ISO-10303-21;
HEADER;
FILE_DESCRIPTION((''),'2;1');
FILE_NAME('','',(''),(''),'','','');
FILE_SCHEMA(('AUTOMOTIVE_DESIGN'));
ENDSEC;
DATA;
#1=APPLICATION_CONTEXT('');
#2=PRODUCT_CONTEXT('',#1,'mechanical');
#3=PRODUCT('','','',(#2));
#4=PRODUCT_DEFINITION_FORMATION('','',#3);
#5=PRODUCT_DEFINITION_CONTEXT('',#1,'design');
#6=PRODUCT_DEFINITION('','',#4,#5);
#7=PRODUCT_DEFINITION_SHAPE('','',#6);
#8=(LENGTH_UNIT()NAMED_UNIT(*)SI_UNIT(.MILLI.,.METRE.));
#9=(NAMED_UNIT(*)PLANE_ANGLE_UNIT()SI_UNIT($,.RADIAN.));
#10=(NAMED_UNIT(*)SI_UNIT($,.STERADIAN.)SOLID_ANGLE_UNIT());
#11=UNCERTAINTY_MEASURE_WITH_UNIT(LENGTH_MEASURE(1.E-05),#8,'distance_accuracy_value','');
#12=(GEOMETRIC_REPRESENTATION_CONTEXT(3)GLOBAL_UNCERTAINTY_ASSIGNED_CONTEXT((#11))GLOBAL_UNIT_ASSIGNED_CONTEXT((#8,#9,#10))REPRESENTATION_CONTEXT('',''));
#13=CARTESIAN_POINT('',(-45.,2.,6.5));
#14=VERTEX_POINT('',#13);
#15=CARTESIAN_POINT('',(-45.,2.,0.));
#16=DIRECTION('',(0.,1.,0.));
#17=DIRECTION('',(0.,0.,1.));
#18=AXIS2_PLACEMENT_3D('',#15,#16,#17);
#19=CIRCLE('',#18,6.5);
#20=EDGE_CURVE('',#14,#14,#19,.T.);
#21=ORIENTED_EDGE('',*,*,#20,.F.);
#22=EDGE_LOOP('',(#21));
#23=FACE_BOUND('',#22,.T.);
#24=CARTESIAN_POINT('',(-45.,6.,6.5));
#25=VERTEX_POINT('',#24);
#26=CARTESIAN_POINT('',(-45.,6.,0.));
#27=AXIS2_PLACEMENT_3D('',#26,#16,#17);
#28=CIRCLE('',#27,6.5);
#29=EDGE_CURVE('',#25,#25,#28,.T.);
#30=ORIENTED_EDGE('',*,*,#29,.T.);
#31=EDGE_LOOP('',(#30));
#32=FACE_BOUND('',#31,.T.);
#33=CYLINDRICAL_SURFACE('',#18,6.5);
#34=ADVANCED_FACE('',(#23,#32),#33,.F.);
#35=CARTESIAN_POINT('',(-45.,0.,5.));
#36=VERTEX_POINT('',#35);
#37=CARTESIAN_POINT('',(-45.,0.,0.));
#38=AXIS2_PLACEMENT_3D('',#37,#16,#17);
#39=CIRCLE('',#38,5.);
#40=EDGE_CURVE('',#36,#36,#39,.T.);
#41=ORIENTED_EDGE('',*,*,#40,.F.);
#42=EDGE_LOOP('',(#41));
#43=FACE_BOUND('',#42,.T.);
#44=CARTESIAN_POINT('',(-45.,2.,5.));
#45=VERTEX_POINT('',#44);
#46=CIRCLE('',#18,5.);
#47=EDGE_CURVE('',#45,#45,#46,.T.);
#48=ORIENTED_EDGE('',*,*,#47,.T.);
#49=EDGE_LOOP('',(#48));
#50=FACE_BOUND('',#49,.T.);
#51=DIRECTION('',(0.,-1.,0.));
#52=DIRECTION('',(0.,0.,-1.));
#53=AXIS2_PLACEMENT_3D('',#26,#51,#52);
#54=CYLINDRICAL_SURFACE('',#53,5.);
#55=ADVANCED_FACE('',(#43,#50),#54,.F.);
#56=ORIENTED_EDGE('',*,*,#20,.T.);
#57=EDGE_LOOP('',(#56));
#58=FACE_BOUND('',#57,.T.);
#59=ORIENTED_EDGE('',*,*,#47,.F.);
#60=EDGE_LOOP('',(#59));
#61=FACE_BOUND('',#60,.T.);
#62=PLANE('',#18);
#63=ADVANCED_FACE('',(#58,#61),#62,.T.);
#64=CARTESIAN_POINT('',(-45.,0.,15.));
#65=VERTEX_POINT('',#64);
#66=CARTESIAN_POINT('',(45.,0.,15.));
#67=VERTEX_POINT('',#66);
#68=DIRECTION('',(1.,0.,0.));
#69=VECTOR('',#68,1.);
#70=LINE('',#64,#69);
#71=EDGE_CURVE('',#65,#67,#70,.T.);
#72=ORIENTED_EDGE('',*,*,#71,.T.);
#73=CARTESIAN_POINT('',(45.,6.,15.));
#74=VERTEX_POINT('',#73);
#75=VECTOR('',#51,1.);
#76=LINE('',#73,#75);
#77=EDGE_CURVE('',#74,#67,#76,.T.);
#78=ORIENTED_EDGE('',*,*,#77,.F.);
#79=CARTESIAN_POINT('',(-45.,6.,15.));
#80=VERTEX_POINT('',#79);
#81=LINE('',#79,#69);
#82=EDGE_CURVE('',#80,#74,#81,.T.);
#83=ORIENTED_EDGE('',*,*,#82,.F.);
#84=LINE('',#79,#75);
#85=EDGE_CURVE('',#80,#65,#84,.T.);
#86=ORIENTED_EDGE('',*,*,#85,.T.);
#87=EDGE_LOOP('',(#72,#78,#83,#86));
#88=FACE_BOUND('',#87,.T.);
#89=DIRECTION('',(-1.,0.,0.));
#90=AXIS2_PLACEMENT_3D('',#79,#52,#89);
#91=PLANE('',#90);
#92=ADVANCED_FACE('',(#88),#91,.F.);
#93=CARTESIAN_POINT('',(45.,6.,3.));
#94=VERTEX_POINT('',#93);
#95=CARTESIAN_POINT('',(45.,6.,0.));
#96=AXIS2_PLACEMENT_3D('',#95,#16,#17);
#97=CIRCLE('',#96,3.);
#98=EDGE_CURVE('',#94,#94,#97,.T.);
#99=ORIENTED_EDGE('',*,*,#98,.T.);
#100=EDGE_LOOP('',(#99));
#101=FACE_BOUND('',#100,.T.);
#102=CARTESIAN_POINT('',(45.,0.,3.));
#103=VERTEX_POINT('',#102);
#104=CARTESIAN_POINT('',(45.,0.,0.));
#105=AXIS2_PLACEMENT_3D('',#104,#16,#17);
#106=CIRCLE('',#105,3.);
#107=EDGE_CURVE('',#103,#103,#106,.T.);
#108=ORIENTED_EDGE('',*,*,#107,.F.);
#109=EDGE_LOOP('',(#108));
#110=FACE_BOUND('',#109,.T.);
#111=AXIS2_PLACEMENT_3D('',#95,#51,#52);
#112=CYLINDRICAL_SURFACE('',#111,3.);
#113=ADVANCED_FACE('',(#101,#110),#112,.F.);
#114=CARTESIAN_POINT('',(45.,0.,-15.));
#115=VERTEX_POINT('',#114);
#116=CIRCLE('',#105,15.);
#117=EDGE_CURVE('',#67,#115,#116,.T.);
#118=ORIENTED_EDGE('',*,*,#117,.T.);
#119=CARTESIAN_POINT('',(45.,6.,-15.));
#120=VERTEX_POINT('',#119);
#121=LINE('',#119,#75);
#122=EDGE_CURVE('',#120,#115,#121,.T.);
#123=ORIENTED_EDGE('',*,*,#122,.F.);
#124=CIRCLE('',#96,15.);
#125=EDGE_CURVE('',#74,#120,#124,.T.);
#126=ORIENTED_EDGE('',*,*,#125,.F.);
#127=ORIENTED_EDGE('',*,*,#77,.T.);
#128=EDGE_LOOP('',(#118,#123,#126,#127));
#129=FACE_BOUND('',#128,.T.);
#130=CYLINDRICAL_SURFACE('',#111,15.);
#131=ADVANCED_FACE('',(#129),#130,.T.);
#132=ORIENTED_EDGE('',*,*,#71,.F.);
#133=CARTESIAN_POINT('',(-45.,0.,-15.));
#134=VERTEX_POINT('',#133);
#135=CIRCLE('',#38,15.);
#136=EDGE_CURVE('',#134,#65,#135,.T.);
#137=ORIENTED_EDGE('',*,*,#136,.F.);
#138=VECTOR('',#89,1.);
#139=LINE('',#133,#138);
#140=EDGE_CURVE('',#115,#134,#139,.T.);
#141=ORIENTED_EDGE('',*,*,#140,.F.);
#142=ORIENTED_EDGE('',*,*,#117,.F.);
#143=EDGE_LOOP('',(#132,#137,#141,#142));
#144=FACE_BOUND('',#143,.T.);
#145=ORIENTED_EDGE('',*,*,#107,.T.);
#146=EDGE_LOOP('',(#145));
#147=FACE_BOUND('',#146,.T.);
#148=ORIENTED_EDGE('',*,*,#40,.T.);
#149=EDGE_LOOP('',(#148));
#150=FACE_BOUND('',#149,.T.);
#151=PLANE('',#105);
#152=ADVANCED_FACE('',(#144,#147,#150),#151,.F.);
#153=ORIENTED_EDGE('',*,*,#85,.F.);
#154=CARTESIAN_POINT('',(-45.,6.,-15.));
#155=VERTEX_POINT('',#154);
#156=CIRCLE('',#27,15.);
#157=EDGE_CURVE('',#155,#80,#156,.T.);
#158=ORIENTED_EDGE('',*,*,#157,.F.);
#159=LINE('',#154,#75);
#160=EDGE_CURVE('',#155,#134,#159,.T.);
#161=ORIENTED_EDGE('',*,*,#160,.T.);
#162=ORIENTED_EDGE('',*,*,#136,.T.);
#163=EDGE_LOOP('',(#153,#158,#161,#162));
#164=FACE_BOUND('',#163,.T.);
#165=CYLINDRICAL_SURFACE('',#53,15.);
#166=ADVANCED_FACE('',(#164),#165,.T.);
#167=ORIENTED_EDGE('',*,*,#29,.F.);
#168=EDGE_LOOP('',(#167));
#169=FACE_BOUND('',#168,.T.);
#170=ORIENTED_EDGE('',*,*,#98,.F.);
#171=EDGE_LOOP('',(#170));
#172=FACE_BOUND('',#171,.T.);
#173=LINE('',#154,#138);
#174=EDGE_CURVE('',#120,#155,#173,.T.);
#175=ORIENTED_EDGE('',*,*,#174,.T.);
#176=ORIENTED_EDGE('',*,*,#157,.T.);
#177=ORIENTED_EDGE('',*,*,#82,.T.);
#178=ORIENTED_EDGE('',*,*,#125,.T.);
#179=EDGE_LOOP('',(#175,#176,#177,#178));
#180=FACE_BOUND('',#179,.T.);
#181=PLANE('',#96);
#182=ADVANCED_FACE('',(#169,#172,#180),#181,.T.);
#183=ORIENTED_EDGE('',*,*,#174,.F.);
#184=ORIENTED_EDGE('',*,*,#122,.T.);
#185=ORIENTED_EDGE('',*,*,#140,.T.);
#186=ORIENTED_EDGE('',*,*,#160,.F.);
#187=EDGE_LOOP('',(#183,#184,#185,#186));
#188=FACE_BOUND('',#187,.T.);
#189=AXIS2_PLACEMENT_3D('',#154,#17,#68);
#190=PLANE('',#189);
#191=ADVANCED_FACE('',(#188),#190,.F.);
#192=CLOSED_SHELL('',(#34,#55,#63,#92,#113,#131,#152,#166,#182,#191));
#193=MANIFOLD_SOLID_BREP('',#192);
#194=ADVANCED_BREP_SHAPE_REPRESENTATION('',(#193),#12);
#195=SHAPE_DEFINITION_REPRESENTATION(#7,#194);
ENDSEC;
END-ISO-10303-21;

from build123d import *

# Parameters (mm, degrees)
SKETCH2_R           = 5
SKETCH2_R_2         = 3
BOSS_EXTRUDE1_DEPTH = 6
SKETCH3_R           = 6.5
CUT_EXTRUDE1_DEPTH  = 4


with BuildPart() as part:
    # Sketch2 → Boss-Extrude1 (new body)
    with BuildSketch(Plane(origin=(0, 0, 0), x_dir=(1, 0, 0), z_dir=(0, 1, 0))):
        with BuildLine():
            Line((-45, 15), (45, 15))
            ThreePointArc((45, 15), (60, 0), (45, -15))
            Line((45, -15), (-45, -15))
            ThreePointArc((-45, -15), (-60, 0), (-45, 15))
        make_face()
        with Locations(Location((-45, 0, 0), (0, 0, 270))):
            Circle(SKETCH2_R, mode=Mode.SUBTRACT)
        with Locations(Location((45, 0, 0), (0, 0, 270))):
            Circle(SKETCH2_R_2, mode=Mode.SUBTRACT)
    extrude(amount=BOSS_EXTRUDE1_DEPTH)

    # Sketch3 → Cut-Extrude1 (cut)
    with BuildSketch(Plane(origin=(0, 6, 0), x_dir=(1, 0, 0), z_dir=(0, 1, 0))):
        with Locations(Location((-45, 0, 0), (0, 0, 270))):
            Circle(SKETCH3_R)
    extrude(amount=-CUT_EXTRUDE1_DEPTH, mode=Mode.SUBTRACT)


solid = part.part
